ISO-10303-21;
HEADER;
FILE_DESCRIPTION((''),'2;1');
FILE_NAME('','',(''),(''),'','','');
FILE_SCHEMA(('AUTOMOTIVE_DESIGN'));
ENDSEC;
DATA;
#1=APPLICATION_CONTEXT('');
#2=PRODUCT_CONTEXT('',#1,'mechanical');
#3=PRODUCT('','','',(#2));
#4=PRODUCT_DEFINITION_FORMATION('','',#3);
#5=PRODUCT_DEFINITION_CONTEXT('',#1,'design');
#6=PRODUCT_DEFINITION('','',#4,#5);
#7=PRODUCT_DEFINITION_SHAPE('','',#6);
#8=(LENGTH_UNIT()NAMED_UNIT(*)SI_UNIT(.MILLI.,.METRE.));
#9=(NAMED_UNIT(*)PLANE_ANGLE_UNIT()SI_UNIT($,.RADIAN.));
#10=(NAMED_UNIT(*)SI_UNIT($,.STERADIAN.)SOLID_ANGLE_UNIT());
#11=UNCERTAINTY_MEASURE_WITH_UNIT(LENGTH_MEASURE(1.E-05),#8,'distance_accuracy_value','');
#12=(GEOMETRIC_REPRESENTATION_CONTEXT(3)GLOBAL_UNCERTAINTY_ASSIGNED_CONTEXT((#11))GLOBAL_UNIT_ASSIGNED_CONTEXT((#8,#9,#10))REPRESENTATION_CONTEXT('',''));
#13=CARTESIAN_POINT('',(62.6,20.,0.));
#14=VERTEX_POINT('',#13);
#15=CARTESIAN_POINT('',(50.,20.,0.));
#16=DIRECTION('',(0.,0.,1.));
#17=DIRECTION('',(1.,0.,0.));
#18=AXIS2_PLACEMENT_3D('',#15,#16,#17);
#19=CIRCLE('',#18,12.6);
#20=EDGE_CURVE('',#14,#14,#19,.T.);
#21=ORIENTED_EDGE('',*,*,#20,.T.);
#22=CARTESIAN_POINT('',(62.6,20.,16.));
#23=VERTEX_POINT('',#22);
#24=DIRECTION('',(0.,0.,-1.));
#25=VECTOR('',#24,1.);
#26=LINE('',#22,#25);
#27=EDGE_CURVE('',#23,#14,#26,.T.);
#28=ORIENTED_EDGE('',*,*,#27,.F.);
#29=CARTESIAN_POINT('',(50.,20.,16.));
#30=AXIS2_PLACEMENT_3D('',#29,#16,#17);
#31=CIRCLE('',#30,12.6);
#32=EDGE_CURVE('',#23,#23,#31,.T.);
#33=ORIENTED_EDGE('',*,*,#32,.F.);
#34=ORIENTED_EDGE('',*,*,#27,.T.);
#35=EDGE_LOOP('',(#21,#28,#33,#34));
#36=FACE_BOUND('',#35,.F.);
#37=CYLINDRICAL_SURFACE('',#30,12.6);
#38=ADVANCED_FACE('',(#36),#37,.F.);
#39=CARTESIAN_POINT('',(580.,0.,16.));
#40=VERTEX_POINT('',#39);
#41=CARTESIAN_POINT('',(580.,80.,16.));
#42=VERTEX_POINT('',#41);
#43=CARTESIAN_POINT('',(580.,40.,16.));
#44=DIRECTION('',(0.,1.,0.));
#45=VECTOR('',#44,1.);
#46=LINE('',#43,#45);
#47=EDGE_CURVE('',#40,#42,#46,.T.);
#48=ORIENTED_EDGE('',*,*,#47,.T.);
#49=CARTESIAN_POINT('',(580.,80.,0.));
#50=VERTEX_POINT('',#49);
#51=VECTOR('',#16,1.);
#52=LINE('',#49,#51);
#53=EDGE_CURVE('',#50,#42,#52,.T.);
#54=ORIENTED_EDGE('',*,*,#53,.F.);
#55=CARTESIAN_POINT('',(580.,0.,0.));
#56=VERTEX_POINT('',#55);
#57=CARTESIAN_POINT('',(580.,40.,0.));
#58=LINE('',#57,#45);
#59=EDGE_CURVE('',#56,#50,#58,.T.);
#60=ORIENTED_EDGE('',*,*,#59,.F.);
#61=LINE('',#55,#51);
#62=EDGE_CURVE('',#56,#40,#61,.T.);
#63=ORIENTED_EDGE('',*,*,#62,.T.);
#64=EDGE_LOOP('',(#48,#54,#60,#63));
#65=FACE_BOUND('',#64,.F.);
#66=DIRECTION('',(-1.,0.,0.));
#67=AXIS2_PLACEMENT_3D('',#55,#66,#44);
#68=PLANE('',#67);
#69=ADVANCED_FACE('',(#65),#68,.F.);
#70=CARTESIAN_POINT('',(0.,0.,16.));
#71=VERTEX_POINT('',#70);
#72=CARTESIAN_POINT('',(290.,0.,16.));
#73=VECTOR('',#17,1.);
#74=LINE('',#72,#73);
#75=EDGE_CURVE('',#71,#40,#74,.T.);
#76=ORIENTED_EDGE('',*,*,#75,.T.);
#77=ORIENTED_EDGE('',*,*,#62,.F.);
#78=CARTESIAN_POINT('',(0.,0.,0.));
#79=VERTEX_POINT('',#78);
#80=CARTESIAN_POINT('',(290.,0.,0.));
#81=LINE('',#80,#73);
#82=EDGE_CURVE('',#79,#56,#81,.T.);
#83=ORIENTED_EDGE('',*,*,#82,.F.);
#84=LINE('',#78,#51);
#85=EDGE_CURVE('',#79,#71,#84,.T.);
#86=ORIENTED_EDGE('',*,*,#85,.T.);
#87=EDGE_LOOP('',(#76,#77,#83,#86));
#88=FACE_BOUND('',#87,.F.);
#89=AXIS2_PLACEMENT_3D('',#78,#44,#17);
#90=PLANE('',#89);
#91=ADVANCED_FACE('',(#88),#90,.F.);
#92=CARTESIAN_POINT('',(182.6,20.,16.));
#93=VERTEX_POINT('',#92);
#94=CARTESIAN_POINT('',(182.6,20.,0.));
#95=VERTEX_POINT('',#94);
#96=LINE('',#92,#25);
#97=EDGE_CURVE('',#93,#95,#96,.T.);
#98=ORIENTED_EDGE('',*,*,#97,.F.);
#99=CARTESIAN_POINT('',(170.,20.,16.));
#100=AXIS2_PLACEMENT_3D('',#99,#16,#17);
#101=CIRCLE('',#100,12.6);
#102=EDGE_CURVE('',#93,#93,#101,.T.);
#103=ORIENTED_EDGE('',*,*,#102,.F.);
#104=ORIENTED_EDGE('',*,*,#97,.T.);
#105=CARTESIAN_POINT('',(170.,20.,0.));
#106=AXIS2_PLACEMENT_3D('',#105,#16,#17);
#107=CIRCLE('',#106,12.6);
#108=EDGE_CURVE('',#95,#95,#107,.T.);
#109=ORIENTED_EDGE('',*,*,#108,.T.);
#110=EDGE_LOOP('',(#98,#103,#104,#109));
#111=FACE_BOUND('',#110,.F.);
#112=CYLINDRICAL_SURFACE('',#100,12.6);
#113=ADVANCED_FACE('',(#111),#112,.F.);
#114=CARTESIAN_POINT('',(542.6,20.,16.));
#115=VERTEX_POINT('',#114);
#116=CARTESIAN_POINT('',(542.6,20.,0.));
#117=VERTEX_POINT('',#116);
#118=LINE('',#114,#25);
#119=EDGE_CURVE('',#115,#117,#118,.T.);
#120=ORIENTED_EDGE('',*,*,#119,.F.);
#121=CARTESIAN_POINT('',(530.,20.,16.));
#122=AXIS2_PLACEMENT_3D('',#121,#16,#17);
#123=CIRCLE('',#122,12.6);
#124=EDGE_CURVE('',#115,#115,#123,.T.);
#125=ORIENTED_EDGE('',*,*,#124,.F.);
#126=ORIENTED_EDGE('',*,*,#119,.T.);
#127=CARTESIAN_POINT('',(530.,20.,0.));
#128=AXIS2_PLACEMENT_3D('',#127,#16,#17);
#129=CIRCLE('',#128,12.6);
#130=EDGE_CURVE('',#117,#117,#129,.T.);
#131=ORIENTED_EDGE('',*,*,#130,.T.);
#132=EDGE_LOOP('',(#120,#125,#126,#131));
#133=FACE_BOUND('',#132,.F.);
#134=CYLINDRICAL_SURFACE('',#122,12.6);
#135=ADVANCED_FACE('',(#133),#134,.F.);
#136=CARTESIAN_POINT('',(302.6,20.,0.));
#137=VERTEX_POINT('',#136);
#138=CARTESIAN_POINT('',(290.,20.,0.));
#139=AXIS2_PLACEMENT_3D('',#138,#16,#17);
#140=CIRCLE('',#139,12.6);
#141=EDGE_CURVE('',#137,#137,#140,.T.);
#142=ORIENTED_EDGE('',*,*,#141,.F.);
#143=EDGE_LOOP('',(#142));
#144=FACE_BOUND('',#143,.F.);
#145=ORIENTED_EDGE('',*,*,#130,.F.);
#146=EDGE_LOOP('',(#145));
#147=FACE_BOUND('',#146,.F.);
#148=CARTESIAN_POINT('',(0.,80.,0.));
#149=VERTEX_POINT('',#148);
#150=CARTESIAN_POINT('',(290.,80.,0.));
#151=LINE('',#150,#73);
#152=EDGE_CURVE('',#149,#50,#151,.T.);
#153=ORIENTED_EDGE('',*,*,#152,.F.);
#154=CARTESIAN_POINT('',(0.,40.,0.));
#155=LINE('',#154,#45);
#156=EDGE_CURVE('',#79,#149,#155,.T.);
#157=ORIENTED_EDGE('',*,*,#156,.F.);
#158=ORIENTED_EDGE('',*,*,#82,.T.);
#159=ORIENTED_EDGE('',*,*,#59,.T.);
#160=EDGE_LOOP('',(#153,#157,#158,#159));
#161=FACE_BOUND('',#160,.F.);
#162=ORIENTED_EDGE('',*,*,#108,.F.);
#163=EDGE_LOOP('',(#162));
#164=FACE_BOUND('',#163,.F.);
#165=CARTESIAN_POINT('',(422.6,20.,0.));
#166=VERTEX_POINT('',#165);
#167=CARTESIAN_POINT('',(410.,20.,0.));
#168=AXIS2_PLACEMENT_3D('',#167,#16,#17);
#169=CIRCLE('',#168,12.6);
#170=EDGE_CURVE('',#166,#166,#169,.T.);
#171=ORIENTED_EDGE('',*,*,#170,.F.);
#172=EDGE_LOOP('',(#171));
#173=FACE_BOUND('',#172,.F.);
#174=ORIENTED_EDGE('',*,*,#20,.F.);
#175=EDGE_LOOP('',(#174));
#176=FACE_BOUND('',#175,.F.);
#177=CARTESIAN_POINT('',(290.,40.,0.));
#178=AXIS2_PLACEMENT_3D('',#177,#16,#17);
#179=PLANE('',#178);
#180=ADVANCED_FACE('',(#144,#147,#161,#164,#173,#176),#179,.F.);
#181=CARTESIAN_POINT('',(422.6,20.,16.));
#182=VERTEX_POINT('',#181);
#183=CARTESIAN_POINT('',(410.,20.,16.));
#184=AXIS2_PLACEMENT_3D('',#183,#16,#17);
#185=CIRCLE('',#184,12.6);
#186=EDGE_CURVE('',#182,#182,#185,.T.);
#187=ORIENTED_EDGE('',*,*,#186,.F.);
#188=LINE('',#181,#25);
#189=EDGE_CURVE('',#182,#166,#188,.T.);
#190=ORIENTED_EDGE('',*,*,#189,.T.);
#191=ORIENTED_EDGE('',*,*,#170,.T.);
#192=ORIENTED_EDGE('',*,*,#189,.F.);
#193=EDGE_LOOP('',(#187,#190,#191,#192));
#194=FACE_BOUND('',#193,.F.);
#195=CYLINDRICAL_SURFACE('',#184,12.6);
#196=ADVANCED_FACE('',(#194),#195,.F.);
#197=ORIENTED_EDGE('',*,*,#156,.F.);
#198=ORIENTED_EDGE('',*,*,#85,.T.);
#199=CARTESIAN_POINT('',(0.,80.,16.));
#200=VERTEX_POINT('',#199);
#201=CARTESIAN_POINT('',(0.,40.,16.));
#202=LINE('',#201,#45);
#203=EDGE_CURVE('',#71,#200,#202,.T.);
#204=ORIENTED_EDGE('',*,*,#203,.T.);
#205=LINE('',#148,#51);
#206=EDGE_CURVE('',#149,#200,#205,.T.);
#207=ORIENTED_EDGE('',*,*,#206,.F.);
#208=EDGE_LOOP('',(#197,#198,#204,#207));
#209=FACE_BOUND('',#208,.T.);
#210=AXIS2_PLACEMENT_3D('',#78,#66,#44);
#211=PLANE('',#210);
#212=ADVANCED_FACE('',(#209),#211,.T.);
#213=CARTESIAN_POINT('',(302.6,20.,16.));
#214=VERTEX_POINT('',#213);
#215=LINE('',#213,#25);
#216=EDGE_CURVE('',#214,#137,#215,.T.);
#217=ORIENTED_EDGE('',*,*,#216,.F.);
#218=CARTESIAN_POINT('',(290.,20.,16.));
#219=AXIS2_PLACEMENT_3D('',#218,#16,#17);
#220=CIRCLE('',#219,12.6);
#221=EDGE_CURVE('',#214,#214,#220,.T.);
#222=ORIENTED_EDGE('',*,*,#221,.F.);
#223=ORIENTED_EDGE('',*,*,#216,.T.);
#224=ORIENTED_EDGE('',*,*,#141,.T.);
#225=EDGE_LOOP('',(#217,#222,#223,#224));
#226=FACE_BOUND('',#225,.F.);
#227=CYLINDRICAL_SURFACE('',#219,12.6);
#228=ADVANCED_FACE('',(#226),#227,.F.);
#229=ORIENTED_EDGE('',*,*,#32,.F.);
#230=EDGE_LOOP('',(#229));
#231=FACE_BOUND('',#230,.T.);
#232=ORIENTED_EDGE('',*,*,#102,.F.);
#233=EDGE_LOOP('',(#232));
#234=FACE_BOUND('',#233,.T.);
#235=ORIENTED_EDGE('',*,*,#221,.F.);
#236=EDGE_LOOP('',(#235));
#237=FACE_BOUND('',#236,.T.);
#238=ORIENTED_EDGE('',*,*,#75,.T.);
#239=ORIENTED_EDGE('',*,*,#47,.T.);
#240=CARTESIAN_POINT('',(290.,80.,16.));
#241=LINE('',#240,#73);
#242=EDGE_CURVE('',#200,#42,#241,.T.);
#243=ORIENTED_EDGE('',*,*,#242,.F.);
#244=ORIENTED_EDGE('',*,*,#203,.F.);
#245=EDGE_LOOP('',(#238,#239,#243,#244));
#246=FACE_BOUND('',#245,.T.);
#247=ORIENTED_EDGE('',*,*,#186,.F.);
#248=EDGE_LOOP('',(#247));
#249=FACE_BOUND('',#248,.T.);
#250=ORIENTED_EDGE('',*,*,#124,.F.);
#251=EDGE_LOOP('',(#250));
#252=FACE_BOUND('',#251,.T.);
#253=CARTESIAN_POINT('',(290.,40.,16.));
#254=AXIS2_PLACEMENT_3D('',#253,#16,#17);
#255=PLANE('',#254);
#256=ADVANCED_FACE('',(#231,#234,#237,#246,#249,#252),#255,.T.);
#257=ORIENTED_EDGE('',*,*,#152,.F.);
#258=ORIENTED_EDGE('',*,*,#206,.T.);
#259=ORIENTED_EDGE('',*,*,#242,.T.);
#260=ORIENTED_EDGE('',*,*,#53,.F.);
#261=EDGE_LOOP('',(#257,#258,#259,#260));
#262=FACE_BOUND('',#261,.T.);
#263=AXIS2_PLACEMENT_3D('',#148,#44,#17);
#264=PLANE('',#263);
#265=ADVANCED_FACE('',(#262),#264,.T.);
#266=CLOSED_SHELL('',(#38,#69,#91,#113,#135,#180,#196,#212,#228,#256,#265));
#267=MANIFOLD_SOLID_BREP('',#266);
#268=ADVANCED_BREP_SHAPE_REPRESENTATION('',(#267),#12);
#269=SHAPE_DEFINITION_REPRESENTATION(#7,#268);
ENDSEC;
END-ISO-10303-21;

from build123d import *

# Parameters (mm, degrees)
SKETCH1_W           = 580
SKETCH1_H           = 80
BOSS_EXTRUDE1_DEPTH = 16
SKETCH5_R           = 12.6
CUT_EXTRUDE1_DEPTH  = 16


with BuildPart() as part:
    # Sketch1 → Boss-Extrude1 (new body)
    with BuildSketch(Plane.XY):
        with Locations((290, 40)):
            Rectangle(SKETCH1_W, SKETCH1_H)
    extrude(amount=BOSS_EXTRUDE1_DEPTH)

    # Sketch5 → Cut-Extrude1 (cut)
    with BuildSketch(Plane.XY.offset(16)):
        with Locations((50, 20)):
            Circle(SKETCH5_R)
        with Locations((170, 20)):
            Circle(SKETCH5_R)
        with Locations((290, 20)):
            Circle(SKETCH5_R)
        with Locations((410, 20)):
            Circle(SKETCH5_R)
        with Locations((530, 20)):
            Circle(SKETCH5_R)
    extrude(amount=-CUT_EXTRUDE1_DEPTH, mode=Mode.SUBTRACT)


solid = part.part
